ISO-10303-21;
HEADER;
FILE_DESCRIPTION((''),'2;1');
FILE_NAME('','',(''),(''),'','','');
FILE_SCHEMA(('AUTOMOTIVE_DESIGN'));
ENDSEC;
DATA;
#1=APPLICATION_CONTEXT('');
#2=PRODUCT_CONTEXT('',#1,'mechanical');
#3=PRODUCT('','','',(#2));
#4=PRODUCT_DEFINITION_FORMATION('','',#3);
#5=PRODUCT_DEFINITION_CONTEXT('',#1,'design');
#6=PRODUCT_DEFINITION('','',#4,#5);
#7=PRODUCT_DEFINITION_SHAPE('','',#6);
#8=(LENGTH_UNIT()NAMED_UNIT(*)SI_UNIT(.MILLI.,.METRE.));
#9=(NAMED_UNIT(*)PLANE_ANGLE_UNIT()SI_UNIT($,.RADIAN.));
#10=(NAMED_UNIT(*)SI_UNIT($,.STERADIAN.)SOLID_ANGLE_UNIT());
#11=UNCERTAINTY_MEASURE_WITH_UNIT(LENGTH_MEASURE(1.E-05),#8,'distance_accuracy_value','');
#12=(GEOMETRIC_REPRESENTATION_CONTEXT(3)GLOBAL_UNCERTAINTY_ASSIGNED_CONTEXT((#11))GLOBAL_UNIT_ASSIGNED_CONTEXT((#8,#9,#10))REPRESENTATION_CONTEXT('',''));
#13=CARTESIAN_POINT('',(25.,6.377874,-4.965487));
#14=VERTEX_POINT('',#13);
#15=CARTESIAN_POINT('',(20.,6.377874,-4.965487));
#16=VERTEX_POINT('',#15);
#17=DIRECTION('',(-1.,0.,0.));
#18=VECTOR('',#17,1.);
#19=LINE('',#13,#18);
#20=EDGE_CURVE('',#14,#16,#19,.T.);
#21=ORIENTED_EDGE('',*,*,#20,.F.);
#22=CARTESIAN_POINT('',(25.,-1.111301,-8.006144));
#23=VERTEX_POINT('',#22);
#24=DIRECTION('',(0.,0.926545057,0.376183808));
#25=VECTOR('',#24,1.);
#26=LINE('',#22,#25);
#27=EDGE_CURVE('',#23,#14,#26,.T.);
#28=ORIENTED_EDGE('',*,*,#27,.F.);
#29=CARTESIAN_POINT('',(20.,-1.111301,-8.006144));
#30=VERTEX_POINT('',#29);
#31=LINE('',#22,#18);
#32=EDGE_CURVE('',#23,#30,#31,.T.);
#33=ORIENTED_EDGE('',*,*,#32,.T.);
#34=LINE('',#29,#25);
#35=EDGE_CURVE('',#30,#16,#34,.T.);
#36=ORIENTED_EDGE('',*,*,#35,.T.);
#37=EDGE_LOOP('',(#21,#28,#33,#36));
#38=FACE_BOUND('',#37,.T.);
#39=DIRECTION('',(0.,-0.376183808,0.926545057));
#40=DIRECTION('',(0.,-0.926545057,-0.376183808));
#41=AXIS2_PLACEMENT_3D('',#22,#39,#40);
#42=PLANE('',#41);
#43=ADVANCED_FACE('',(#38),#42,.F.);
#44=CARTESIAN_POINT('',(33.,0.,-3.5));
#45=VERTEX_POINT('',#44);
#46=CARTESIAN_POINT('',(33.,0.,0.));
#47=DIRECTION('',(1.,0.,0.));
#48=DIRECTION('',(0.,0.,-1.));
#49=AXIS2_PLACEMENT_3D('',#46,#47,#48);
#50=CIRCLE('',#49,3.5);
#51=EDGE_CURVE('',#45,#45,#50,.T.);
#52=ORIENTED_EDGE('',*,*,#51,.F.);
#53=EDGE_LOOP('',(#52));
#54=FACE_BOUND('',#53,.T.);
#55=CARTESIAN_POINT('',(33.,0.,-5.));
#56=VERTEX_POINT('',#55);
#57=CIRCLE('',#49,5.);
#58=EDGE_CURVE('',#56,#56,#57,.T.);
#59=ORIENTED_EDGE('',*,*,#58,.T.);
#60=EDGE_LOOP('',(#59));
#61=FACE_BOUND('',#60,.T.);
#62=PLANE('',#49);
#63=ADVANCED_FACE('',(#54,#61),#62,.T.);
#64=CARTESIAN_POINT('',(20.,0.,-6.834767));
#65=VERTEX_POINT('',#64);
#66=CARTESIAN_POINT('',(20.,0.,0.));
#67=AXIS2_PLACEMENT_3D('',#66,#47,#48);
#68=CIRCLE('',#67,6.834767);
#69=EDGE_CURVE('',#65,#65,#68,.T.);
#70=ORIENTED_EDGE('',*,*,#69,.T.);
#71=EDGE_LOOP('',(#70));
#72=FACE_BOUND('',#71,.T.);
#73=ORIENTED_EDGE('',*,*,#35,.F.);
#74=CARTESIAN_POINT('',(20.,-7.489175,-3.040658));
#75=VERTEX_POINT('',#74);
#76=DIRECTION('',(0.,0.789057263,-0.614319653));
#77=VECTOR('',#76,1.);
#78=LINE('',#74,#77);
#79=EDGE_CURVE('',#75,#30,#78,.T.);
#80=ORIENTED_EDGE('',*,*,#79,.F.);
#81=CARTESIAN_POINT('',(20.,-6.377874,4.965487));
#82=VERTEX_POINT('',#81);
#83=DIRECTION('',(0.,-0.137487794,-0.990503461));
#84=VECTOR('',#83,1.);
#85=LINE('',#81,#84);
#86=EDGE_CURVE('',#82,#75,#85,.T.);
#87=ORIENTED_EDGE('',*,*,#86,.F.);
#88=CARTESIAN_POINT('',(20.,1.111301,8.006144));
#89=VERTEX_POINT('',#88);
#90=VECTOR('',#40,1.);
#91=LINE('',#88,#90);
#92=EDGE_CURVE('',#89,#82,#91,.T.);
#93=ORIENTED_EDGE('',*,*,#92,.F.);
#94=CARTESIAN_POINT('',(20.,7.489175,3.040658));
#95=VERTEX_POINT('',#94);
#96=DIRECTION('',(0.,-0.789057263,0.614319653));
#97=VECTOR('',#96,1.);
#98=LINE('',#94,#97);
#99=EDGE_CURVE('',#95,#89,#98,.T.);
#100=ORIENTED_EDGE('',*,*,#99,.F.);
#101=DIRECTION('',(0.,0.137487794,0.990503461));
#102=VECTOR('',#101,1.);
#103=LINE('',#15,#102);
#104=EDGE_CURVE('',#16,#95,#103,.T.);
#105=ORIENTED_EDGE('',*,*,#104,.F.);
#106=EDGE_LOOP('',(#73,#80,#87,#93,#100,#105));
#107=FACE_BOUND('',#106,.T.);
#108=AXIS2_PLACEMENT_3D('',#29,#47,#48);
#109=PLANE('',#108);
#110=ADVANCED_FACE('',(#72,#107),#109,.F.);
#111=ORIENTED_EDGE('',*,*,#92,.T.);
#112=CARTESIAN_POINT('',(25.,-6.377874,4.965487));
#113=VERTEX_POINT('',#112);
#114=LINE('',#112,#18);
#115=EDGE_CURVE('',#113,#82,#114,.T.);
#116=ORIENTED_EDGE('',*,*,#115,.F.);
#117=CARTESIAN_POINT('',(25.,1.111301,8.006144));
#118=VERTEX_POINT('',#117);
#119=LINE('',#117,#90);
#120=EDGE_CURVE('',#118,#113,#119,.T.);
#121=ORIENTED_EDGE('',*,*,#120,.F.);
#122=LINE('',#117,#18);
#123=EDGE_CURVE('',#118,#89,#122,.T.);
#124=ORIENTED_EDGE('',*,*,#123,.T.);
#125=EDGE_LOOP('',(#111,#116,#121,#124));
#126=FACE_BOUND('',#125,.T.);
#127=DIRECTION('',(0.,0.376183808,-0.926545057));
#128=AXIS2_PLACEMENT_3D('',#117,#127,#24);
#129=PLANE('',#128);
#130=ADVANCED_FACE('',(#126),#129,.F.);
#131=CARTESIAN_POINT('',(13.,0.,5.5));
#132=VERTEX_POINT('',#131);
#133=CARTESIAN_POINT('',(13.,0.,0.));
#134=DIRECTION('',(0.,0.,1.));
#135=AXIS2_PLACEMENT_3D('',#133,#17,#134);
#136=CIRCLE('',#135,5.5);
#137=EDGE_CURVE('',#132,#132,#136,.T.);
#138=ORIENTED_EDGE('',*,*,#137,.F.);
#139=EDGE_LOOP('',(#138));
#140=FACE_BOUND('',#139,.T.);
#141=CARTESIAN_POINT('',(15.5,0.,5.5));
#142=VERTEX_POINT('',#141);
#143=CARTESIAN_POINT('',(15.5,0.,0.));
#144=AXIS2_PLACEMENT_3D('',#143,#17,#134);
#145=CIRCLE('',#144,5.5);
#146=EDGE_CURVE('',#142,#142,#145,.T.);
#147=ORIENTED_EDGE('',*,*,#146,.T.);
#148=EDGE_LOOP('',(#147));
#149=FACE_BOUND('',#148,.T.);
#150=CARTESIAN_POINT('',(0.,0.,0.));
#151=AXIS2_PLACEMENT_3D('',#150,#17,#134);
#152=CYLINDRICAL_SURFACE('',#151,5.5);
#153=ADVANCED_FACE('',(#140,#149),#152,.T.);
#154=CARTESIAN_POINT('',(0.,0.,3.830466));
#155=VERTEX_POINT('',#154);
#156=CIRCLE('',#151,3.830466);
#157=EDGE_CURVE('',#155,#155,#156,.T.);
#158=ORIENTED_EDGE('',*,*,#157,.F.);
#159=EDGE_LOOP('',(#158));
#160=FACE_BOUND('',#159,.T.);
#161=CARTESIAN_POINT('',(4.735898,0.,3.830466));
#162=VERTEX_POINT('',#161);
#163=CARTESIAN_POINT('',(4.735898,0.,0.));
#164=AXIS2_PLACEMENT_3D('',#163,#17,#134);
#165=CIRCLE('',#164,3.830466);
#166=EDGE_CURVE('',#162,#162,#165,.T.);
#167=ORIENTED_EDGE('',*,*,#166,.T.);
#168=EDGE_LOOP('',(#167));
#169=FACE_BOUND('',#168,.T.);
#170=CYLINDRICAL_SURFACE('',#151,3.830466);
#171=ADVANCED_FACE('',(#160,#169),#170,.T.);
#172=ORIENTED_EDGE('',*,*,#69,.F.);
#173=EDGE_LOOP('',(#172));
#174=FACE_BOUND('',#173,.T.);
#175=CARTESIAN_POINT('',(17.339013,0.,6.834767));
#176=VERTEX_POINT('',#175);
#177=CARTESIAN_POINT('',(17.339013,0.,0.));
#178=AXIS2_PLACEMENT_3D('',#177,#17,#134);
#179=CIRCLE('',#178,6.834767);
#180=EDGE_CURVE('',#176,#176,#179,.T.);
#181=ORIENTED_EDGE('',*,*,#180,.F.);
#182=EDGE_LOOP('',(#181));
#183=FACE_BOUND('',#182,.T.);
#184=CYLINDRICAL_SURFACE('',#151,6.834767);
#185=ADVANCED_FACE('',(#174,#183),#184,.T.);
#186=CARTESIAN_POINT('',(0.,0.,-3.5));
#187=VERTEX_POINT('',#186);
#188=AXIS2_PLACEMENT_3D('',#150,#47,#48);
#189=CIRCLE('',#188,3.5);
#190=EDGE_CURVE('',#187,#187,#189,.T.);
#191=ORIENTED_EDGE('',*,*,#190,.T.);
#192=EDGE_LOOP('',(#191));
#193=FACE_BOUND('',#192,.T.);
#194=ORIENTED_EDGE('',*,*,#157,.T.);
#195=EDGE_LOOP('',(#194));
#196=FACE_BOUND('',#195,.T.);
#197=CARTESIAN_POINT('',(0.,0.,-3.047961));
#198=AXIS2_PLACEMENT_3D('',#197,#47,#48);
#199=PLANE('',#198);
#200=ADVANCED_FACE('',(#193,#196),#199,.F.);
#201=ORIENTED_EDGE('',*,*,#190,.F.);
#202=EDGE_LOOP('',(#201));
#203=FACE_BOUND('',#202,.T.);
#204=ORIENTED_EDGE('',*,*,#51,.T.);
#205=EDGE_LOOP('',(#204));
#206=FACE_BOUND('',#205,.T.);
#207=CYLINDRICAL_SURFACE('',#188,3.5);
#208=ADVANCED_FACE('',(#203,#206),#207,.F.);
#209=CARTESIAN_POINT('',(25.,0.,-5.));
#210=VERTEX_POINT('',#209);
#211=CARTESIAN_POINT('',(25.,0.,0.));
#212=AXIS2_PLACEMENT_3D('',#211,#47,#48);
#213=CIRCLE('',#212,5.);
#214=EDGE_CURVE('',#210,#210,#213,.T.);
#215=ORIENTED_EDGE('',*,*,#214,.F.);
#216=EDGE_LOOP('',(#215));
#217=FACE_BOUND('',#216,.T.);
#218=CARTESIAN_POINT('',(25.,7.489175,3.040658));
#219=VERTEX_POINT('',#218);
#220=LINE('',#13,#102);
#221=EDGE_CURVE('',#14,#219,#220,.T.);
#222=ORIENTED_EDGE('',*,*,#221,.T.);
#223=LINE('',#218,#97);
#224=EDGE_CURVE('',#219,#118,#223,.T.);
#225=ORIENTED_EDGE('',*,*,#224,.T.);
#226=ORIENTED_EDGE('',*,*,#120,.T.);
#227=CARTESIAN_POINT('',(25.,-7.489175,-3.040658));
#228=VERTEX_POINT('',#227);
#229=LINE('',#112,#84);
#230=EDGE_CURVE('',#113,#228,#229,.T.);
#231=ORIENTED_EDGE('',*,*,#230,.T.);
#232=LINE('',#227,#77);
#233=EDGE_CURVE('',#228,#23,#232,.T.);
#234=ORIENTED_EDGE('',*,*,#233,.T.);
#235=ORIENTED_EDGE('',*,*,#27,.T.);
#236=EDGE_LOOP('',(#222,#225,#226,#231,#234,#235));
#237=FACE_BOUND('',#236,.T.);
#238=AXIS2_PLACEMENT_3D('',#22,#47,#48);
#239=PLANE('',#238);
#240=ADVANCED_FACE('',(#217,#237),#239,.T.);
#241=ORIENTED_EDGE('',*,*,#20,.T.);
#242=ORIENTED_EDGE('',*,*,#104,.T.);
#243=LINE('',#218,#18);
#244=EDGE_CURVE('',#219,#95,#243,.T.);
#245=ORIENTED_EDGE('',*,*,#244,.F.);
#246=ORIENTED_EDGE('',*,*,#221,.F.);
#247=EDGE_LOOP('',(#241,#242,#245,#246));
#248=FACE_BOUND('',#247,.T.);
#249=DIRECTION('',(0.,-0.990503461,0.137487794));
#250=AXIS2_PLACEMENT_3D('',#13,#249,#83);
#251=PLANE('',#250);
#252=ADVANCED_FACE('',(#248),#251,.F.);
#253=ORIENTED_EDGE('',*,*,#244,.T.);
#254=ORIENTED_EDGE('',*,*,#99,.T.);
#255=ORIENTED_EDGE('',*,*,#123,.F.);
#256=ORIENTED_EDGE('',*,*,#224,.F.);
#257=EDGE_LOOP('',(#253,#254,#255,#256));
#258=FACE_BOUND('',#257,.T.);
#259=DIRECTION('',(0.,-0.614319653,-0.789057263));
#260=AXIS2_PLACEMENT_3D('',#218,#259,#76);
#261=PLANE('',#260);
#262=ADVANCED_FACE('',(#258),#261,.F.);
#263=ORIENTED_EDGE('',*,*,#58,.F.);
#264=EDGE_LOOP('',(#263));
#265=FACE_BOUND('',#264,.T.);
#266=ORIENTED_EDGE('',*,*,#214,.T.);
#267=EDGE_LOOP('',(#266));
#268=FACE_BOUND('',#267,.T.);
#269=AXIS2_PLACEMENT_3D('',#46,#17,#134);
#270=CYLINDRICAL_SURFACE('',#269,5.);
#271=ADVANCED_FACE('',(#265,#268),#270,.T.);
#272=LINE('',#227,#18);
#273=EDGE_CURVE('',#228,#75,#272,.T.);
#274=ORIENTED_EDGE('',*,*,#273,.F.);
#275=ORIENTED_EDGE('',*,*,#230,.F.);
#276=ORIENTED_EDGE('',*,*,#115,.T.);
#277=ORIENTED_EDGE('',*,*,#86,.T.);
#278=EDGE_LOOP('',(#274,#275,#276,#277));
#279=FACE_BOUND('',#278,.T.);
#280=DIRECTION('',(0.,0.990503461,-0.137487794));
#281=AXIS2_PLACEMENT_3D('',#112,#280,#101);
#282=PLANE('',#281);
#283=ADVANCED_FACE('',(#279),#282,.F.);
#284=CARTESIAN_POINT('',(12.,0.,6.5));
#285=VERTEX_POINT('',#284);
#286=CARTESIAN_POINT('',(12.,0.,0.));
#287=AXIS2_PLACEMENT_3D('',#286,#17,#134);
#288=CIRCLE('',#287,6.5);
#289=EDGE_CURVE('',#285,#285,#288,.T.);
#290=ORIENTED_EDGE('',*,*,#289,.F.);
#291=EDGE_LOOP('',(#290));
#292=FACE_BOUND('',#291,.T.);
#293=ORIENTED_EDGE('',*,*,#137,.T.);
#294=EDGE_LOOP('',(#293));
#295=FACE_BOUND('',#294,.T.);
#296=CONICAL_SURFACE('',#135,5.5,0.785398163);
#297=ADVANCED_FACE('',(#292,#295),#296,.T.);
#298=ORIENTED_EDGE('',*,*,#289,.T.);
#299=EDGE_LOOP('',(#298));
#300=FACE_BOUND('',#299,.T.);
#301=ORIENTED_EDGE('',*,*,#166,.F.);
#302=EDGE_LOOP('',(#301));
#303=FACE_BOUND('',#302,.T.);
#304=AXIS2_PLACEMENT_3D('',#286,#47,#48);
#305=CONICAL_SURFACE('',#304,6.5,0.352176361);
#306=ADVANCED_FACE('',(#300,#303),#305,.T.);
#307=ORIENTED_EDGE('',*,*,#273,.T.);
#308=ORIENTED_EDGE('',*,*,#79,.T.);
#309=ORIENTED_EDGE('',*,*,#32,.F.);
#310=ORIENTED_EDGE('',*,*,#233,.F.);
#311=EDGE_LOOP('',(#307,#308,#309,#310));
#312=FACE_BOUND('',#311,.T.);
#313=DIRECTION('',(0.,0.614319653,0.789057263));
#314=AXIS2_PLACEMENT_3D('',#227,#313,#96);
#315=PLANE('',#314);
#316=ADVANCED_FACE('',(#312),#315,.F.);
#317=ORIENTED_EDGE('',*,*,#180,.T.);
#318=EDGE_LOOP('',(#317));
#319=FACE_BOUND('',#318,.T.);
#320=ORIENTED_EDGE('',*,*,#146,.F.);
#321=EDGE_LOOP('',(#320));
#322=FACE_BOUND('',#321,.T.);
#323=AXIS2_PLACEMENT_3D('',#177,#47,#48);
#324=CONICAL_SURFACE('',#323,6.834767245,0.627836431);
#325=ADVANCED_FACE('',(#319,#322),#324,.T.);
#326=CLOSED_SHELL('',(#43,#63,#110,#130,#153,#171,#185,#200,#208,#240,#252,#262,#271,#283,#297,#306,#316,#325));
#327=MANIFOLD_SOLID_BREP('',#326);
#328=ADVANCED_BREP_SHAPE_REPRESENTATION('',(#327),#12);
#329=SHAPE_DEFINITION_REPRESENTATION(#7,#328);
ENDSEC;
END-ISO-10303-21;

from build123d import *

# Parameters (mm, degrees)
EXTRUDE_1_DEPTH     = 5
SKETCH_3_R          = 5
EXTRUDE_2_DEPTH     = 8
SKETCH_4_R          = 3.5
CUT_EXTRUDE_3_DEPTH = 35.773353009


with BuildPart() as part:
    # 草图1 → 旋转1 (revolve)
    with BuildSketch(Plane(origin=(0, 0, 0), x_dir=(1, 0, 0), z_dir=(0, 1, 0)), mode=Mode.PRIVATE) as revolve_1_sk:
        Polygon((0, 3.047961053), (0, 3.83046551), (4.735897553, 3.83046551), (12, 6.5), (13, 5.5), (15.5, 5.5), (17.339013278, 6.834767245), (20, 6.834767245), (20, 3.417383623), align=None)
    revolve(revolve_1_sk.sketch.rotate(Axis((0, 0, 0), (1, 0, 0)), 180), axis=Axis((0, 0, 0), (1, 0, 0)))

    # 草图2 → 拉伸1 (add)
    with BuildSketch(Plane(origin=(20, 0, 0), x_dir=(0, 0, -1), z_dir=(1, 0, 0))):
        Polygon((8.006144159, -1.111300607), (4.965486636, 6.377873924), (-3.040657522, 7.489174532), (-8.006144159, 1.111300607), (-4.965486636, -6.377873924), (3.040657522, -7.489174532), align=None)
    extrude(amount=EXTRUDE_1_DEPTH)

    # 草图3 → 拉伸2 (add)
    with BuildSketch(Plane(origin=(25, 0, 0), x_dir=(0, 0, -1), z_dir=(1, 0, 0))):
        Circle(SKETCH_3_R)
    extrude(amount=EXTRUDE_2_DEPTH)

    # 草图4 → 拉伸3 (cut, through all)
    with BuildSketch(Plane(origin=(33, 0, 0), x_dir=(0, 0, -1), z_dir=(1, 0, 0))):
        Circle(SKETCH_4_R)
    extrude(amount=-CUT_EXTRUDE_3_DEPTH, mode=Mode.SUBTRACT)


solid = part.part
